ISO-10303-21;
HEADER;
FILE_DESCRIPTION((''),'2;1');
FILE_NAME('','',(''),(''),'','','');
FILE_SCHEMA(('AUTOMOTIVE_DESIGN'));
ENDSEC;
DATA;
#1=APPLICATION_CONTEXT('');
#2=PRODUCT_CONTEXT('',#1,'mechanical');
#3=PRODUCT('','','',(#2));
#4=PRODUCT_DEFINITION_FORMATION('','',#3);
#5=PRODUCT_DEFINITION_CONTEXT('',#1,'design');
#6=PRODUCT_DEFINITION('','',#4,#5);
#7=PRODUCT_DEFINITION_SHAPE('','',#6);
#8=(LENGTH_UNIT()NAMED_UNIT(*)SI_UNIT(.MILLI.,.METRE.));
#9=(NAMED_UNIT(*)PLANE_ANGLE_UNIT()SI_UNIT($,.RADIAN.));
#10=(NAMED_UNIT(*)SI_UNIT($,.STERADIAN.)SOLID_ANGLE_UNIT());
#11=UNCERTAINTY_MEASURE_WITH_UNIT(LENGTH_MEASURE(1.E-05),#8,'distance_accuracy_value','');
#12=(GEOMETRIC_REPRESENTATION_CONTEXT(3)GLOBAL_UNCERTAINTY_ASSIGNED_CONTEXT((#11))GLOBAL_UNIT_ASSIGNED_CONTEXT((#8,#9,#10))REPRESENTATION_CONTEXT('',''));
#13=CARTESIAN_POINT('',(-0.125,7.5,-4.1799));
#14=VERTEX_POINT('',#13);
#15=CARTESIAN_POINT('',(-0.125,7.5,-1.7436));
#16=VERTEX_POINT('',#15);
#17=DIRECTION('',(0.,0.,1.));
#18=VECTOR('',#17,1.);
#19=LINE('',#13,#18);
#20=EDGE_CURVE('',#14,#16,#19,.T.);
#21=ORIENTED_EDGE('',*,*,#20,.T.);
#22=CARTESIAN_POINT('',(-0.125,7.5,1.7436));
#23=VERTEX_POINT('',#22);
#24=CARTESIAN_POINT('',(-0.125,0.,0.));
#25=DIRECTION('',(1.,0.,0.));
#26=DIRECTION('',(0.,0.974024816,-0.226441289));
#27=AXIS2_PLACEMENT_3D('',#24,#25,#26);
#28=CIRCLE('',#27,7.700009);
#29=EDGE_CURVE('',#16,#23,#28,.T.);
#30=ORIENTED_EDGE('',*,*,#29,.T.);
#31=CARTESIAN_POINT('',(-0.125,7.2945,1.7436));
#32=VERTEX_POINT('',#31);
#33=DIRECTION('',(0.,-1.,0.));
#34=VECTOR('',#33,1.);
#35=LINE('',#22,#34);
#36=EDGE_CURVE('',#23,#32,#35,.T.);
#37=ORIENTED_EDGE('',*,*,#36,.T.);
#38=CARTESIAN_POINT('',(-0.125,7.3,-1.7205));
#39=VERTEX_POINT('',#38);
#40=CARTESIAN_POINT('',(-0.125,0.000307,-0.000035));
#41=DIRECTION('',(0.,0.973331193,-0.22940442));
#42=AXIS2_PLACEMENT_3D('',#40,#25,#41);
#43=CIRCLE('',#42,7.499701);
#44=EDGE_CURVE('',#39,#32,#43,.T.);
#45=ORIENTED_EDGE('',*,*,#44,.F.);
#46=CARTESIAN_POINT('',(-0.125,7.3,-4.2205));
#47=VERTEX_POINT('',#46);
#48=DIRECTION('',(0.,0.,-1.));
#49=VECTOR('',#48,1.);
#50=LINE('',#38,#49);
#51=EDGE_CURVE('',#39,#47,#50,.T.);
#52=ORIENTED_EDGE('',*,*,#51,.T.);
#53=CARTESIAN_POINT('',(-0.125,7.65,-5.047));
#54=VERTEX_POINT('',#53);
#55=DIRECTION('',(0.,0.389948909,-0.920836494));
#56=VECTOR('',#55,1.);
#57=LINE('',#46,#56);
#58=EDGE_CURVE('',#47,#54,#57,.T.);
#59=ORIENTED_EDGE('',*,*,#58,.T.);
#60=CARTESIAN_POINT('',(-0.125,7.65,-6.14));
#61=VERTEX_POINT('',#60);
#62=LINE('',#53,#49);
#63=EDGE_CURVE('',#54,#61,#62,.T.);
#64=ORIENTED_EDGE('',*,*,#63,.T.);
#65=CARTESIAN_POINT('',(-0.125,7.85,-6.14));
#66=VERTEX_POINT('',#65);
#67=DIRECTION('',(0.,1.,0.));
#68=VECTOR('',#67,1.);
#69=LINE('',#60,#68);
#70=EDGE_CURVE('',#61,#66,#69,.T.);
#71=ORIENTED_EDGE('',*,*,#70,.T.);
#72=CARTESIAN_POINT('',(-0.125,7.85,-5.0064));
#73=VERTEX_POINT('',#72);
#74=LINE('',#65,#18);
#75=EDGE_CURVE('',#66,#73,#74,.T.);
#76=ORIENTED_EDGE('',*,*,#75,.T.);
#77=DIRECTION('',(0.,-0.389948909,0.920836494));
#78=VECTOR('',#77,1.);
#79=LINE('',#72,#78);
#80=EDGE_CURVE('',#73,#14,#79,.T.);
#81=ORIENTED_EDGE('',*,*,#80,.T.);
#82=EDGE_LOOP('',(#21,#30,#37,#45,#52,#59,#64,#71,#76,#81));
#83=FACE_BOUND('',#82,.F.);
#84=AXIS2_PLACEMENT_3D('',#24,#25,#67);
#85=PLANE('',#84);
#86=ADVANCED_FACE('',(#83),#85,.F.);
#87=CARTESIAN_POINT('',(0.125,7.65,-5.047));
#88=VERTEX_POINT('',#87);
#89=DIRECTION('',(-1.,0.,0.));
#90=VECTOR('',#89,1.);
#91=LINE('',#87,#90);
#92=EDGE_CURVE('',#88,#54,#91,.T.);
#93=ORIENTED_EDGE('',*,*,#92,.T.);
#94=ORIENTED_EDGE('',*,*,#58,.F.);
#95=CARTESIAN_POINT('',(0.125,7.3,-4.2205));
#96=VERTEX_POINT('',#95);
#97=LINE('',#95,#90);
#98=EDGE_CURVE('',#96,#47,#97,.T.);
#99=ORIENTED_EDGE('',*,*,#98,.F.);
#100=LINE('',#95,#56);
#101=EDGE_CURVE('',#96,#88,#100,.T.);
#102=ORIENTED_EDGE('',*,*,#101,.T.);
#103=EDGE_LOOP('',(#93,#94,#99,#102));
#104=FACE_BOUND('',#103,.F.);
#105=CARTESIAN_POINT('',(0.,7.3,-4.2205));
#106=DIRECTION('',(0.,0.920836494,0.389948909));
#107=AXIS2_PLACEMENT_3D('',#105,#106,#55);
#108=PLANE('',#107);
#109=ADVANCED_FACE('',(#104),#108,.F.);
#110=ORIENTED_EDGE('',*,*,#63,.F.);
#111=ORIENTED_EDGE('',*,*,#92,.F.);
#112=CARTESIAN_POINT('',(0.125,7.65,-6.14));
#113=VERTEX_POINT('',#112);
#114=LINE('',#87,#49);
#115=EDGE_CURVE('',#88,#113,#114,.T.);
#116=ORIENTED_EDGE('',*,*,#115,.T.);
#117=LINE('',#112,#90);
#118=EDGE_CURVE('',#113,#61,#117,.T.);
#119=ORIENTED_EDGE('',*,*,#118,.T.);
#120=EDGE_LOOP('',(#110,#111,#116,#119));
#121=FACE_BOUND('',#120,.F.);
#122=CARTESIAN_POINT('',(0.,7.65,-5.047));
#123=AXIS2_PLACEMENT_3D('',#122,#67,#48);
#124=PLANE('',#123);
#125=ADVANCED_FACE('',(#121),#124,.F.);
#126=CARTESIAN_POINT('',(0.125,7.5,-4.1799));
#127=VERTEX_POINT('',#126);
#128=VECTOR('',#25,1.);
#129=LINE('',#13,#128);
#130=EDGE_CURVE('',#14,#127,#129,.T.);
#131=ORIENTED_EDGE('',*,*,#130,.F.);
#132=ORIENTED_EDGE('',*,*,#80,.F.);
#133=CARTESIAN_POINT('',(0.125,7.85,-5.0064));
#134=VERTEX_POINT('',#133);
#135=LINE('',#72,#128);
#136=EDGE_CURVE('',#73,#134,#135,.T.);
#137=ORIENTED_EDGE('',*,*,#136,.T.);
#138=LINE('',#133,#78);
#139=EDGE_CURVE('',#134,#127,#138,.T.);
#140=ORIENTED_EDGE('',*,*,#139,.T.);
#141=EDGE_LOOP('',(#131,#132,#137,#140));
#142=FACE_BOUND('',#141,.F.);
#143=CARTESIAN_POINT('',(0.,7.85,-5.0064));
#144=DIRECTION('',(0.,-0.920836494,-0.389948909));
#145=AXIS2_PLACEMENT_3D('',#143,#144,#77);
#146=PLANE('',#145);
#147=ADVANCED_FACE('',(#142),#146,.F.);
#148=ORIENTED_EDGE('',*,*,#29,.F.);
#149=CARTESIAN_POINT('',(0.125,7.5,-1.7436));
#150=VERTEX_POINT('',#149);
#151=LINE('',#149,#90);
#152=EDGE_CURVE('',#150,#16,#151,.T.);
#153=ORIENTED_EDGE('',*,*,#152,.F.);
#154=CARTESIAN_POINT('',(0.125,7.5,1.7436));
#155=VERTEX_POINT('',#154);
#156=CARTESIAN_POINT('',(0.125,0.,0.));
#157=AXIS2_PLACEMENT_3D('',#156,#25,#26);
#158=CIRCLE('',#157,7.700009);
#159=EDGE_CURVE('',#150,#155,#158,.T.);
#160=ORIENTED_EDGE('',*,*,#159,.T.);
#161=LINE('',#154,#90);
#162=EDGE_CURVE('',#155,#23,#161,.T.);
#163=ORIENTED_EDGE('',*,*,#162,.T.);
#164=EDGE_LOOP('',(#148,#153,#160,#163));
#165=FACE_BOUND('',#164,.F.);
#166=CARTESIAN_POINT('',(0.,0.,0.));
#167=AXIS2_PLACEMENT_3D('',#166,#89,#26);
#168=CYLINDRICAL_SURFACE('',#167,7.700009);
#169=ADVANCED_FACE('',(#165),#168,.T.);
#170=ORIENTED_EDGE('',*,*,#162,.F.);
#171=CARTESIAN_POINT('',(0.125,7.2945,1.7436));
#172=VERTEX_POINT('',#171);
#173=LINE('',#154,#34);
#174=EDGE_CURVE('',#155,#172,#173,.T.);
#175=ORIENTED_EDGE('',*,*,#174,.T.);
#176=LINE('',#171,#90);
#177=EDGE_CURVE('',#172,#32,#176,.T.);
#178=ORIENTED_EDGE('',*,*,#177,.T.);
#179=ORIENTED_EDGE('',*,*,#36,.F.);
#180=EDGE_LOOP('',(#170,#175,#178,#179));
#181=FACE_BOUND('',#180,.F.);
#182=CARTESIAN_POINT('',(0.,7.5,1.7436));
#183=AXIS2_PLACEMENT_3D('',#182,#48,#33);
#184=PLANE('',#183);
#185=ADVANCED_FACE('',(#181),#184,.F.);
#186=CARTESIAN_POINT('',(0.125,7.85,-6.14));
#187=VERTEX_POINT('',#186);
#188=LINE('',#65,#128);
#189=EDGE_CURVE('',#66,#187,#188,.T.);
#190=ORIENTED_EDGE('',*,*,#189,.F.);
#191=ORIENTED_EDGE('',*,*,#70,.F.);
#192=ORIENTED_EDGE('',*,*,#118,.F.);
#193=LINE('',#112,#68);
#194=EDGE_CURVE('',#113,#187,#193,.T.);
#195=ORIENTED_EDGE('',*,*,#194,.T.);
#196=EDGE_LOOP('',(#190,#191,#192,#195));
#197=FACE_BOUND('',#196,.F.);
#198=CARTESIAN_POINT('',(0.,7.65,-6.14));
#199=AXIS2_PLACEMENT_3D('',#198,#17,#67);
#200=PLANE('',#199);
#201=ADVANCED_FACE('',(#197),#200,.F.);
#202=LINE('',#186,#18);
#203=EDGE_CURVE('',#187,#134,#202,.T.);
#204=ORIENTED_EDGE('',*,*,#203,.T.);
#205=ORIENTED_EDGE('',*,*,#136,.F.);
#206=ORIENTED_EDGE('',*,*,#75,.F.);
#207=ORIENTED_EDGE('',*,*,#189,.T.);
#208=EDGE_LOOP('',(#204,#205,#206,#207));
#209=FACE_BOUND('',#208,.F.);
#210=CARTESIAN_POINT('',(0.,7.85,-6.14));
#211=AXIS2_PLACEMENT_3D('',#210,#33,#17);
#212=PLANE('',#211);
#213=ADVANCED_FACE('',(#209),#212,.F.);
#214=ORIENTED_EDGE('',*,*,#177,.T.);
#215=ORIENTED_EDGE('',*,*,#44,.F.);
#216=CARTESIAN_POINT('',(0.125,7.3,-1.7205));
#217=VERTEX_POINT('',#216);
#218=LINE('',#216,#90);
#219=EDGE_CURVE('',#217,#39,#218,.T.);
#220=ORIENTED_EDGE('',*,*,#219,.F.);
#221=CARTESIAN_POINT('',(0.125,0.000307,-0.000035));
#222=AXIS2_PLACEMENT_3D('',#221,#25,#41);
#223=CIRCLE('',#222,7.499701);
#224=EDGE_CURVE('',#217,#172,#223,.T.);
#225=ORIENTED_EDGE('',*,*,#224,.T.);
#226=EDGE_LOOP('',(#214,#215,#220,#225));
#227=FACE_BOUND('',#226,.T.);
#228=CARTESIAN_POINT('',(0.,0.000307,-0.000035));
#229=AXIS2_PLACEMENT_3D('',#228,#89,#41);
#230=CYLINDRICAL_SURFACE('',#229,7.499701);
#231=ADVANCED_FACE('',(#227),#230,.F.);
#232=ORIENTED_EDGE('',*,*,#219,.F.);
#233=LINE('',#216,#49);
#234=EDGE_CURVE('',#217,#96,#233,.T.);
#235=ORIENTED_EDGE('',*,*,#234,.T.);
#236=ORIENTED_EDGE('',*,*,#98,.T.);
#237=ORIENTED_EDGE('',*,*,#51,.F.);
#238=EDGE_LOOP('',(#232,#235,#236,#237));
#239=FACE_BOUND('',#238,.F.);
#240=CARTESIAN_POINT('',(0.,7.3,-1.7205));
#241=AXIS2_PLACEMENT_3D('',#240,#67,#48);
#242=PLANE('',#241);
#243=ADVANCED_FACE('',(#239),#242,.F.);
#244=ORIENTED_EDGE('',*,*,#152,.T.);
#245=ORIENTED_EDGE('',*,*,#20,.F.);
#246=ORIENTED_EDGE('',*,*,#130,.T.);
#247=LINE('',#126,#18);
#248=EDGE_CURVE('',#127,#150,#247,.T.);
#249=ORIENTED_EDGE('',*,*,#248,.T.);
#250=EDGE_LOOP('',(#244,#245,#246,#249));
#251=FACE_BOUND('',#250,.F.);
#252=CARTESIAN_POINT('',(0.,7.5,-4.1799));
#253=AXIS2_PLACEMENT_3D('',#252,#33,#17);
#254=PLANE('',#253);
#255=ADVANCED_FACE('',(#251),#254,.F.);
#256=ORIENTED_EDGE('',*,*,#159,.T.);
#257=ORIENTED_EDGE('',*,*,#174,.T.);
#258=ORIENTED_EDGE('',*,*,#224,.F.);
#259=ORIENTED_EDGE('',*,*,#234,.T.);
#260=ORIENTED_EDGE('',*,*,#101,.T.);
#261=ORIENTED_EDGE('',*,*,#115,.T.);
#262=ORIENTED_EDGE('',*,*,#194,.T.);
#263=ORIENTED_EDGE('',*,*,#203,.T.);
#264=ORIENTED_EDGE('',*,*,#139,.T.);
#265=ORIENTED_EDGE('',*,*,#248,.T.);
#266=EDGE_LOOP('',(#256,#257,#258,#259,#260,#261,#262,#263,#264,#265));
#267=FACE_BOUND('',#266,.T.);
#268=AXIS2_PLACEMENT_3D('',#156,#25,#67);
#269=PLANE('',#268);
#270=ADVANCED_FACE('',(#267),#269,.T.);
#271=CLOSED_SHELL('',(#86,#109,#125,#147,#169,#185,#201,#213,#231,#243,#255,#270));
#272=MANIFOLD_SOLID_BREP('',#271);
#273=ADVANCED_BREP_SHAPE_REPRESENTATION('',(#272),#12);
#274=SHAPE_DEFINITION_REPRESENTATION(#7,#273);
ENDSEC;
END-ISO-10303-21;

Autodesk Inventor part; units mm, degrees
ref_plane "YZ Plane" through (0, 0, 0) normal (1, 0, 0) x (0, 1, 0)
ref_plane "XZ Plane" through (0, 0, 0) normal (0, 1, 0) x (-1, 0, 0)
ref_plane "XY Plane" through (0, 0, 0) normal (0, 0, 1) x (1, 0, 0)
sketch "Sketch1" plane through (0, 0, 0) normal (1, 0, 0) x (0, 1, 0)
  line L0 (7.85, -6.14) -> (7.85, -5.0064)
  line L1 (7.85, -5.0064) -> (7.5, -4.1799)
  line L2 (7.5, -4.1799) -> (7.5, -1.7436)
  arc A0 (7.5, -1.7436) -> (7.5, 1.7436) centre (0, 0) ccw
  line L3 (7.5, 1.7436) -> (7.2945, 1.7436)
  arc A1 (7.3, -1.7205) -> (7.2945, 1.7436) centre (0, 0) ccw
  line L4 (7.3, -1.7205) -> (7.3, -4.2205)
  line L5 (7.3, -4.2205) -> (7.65, -5.047)
  line L6 (7.65, -5.047) -> (7.65, -6.14)
  line L7 (7.65, -6.14) -> (7.85, -6.14)
  line L8 (7.7, 1) -> (7.7, -1) construction
  point P0 (7.3973, 1.7436)
  point P1 (7.7, 0)
  point P2 (7.75, -6.14)
  dimension "d19" = 0.2
  dimension "d20" = 0.2
  dimension "d21" = 0.2
  dimension "d25" = 6.75
  dimension "d26" = 1.093
  dimension "d27" = 2.5
  dimension "d29" = 2
  dimension "d31" = 7.5
  dimension "d35" = 0.2
  dimension "d38" = 0.4
  dimension "d39" = 0.25
extrude "Extrusion1" add sketch "Sketch1" along normal mid plane 0.25
properties part number "pins2" material "Copper"
